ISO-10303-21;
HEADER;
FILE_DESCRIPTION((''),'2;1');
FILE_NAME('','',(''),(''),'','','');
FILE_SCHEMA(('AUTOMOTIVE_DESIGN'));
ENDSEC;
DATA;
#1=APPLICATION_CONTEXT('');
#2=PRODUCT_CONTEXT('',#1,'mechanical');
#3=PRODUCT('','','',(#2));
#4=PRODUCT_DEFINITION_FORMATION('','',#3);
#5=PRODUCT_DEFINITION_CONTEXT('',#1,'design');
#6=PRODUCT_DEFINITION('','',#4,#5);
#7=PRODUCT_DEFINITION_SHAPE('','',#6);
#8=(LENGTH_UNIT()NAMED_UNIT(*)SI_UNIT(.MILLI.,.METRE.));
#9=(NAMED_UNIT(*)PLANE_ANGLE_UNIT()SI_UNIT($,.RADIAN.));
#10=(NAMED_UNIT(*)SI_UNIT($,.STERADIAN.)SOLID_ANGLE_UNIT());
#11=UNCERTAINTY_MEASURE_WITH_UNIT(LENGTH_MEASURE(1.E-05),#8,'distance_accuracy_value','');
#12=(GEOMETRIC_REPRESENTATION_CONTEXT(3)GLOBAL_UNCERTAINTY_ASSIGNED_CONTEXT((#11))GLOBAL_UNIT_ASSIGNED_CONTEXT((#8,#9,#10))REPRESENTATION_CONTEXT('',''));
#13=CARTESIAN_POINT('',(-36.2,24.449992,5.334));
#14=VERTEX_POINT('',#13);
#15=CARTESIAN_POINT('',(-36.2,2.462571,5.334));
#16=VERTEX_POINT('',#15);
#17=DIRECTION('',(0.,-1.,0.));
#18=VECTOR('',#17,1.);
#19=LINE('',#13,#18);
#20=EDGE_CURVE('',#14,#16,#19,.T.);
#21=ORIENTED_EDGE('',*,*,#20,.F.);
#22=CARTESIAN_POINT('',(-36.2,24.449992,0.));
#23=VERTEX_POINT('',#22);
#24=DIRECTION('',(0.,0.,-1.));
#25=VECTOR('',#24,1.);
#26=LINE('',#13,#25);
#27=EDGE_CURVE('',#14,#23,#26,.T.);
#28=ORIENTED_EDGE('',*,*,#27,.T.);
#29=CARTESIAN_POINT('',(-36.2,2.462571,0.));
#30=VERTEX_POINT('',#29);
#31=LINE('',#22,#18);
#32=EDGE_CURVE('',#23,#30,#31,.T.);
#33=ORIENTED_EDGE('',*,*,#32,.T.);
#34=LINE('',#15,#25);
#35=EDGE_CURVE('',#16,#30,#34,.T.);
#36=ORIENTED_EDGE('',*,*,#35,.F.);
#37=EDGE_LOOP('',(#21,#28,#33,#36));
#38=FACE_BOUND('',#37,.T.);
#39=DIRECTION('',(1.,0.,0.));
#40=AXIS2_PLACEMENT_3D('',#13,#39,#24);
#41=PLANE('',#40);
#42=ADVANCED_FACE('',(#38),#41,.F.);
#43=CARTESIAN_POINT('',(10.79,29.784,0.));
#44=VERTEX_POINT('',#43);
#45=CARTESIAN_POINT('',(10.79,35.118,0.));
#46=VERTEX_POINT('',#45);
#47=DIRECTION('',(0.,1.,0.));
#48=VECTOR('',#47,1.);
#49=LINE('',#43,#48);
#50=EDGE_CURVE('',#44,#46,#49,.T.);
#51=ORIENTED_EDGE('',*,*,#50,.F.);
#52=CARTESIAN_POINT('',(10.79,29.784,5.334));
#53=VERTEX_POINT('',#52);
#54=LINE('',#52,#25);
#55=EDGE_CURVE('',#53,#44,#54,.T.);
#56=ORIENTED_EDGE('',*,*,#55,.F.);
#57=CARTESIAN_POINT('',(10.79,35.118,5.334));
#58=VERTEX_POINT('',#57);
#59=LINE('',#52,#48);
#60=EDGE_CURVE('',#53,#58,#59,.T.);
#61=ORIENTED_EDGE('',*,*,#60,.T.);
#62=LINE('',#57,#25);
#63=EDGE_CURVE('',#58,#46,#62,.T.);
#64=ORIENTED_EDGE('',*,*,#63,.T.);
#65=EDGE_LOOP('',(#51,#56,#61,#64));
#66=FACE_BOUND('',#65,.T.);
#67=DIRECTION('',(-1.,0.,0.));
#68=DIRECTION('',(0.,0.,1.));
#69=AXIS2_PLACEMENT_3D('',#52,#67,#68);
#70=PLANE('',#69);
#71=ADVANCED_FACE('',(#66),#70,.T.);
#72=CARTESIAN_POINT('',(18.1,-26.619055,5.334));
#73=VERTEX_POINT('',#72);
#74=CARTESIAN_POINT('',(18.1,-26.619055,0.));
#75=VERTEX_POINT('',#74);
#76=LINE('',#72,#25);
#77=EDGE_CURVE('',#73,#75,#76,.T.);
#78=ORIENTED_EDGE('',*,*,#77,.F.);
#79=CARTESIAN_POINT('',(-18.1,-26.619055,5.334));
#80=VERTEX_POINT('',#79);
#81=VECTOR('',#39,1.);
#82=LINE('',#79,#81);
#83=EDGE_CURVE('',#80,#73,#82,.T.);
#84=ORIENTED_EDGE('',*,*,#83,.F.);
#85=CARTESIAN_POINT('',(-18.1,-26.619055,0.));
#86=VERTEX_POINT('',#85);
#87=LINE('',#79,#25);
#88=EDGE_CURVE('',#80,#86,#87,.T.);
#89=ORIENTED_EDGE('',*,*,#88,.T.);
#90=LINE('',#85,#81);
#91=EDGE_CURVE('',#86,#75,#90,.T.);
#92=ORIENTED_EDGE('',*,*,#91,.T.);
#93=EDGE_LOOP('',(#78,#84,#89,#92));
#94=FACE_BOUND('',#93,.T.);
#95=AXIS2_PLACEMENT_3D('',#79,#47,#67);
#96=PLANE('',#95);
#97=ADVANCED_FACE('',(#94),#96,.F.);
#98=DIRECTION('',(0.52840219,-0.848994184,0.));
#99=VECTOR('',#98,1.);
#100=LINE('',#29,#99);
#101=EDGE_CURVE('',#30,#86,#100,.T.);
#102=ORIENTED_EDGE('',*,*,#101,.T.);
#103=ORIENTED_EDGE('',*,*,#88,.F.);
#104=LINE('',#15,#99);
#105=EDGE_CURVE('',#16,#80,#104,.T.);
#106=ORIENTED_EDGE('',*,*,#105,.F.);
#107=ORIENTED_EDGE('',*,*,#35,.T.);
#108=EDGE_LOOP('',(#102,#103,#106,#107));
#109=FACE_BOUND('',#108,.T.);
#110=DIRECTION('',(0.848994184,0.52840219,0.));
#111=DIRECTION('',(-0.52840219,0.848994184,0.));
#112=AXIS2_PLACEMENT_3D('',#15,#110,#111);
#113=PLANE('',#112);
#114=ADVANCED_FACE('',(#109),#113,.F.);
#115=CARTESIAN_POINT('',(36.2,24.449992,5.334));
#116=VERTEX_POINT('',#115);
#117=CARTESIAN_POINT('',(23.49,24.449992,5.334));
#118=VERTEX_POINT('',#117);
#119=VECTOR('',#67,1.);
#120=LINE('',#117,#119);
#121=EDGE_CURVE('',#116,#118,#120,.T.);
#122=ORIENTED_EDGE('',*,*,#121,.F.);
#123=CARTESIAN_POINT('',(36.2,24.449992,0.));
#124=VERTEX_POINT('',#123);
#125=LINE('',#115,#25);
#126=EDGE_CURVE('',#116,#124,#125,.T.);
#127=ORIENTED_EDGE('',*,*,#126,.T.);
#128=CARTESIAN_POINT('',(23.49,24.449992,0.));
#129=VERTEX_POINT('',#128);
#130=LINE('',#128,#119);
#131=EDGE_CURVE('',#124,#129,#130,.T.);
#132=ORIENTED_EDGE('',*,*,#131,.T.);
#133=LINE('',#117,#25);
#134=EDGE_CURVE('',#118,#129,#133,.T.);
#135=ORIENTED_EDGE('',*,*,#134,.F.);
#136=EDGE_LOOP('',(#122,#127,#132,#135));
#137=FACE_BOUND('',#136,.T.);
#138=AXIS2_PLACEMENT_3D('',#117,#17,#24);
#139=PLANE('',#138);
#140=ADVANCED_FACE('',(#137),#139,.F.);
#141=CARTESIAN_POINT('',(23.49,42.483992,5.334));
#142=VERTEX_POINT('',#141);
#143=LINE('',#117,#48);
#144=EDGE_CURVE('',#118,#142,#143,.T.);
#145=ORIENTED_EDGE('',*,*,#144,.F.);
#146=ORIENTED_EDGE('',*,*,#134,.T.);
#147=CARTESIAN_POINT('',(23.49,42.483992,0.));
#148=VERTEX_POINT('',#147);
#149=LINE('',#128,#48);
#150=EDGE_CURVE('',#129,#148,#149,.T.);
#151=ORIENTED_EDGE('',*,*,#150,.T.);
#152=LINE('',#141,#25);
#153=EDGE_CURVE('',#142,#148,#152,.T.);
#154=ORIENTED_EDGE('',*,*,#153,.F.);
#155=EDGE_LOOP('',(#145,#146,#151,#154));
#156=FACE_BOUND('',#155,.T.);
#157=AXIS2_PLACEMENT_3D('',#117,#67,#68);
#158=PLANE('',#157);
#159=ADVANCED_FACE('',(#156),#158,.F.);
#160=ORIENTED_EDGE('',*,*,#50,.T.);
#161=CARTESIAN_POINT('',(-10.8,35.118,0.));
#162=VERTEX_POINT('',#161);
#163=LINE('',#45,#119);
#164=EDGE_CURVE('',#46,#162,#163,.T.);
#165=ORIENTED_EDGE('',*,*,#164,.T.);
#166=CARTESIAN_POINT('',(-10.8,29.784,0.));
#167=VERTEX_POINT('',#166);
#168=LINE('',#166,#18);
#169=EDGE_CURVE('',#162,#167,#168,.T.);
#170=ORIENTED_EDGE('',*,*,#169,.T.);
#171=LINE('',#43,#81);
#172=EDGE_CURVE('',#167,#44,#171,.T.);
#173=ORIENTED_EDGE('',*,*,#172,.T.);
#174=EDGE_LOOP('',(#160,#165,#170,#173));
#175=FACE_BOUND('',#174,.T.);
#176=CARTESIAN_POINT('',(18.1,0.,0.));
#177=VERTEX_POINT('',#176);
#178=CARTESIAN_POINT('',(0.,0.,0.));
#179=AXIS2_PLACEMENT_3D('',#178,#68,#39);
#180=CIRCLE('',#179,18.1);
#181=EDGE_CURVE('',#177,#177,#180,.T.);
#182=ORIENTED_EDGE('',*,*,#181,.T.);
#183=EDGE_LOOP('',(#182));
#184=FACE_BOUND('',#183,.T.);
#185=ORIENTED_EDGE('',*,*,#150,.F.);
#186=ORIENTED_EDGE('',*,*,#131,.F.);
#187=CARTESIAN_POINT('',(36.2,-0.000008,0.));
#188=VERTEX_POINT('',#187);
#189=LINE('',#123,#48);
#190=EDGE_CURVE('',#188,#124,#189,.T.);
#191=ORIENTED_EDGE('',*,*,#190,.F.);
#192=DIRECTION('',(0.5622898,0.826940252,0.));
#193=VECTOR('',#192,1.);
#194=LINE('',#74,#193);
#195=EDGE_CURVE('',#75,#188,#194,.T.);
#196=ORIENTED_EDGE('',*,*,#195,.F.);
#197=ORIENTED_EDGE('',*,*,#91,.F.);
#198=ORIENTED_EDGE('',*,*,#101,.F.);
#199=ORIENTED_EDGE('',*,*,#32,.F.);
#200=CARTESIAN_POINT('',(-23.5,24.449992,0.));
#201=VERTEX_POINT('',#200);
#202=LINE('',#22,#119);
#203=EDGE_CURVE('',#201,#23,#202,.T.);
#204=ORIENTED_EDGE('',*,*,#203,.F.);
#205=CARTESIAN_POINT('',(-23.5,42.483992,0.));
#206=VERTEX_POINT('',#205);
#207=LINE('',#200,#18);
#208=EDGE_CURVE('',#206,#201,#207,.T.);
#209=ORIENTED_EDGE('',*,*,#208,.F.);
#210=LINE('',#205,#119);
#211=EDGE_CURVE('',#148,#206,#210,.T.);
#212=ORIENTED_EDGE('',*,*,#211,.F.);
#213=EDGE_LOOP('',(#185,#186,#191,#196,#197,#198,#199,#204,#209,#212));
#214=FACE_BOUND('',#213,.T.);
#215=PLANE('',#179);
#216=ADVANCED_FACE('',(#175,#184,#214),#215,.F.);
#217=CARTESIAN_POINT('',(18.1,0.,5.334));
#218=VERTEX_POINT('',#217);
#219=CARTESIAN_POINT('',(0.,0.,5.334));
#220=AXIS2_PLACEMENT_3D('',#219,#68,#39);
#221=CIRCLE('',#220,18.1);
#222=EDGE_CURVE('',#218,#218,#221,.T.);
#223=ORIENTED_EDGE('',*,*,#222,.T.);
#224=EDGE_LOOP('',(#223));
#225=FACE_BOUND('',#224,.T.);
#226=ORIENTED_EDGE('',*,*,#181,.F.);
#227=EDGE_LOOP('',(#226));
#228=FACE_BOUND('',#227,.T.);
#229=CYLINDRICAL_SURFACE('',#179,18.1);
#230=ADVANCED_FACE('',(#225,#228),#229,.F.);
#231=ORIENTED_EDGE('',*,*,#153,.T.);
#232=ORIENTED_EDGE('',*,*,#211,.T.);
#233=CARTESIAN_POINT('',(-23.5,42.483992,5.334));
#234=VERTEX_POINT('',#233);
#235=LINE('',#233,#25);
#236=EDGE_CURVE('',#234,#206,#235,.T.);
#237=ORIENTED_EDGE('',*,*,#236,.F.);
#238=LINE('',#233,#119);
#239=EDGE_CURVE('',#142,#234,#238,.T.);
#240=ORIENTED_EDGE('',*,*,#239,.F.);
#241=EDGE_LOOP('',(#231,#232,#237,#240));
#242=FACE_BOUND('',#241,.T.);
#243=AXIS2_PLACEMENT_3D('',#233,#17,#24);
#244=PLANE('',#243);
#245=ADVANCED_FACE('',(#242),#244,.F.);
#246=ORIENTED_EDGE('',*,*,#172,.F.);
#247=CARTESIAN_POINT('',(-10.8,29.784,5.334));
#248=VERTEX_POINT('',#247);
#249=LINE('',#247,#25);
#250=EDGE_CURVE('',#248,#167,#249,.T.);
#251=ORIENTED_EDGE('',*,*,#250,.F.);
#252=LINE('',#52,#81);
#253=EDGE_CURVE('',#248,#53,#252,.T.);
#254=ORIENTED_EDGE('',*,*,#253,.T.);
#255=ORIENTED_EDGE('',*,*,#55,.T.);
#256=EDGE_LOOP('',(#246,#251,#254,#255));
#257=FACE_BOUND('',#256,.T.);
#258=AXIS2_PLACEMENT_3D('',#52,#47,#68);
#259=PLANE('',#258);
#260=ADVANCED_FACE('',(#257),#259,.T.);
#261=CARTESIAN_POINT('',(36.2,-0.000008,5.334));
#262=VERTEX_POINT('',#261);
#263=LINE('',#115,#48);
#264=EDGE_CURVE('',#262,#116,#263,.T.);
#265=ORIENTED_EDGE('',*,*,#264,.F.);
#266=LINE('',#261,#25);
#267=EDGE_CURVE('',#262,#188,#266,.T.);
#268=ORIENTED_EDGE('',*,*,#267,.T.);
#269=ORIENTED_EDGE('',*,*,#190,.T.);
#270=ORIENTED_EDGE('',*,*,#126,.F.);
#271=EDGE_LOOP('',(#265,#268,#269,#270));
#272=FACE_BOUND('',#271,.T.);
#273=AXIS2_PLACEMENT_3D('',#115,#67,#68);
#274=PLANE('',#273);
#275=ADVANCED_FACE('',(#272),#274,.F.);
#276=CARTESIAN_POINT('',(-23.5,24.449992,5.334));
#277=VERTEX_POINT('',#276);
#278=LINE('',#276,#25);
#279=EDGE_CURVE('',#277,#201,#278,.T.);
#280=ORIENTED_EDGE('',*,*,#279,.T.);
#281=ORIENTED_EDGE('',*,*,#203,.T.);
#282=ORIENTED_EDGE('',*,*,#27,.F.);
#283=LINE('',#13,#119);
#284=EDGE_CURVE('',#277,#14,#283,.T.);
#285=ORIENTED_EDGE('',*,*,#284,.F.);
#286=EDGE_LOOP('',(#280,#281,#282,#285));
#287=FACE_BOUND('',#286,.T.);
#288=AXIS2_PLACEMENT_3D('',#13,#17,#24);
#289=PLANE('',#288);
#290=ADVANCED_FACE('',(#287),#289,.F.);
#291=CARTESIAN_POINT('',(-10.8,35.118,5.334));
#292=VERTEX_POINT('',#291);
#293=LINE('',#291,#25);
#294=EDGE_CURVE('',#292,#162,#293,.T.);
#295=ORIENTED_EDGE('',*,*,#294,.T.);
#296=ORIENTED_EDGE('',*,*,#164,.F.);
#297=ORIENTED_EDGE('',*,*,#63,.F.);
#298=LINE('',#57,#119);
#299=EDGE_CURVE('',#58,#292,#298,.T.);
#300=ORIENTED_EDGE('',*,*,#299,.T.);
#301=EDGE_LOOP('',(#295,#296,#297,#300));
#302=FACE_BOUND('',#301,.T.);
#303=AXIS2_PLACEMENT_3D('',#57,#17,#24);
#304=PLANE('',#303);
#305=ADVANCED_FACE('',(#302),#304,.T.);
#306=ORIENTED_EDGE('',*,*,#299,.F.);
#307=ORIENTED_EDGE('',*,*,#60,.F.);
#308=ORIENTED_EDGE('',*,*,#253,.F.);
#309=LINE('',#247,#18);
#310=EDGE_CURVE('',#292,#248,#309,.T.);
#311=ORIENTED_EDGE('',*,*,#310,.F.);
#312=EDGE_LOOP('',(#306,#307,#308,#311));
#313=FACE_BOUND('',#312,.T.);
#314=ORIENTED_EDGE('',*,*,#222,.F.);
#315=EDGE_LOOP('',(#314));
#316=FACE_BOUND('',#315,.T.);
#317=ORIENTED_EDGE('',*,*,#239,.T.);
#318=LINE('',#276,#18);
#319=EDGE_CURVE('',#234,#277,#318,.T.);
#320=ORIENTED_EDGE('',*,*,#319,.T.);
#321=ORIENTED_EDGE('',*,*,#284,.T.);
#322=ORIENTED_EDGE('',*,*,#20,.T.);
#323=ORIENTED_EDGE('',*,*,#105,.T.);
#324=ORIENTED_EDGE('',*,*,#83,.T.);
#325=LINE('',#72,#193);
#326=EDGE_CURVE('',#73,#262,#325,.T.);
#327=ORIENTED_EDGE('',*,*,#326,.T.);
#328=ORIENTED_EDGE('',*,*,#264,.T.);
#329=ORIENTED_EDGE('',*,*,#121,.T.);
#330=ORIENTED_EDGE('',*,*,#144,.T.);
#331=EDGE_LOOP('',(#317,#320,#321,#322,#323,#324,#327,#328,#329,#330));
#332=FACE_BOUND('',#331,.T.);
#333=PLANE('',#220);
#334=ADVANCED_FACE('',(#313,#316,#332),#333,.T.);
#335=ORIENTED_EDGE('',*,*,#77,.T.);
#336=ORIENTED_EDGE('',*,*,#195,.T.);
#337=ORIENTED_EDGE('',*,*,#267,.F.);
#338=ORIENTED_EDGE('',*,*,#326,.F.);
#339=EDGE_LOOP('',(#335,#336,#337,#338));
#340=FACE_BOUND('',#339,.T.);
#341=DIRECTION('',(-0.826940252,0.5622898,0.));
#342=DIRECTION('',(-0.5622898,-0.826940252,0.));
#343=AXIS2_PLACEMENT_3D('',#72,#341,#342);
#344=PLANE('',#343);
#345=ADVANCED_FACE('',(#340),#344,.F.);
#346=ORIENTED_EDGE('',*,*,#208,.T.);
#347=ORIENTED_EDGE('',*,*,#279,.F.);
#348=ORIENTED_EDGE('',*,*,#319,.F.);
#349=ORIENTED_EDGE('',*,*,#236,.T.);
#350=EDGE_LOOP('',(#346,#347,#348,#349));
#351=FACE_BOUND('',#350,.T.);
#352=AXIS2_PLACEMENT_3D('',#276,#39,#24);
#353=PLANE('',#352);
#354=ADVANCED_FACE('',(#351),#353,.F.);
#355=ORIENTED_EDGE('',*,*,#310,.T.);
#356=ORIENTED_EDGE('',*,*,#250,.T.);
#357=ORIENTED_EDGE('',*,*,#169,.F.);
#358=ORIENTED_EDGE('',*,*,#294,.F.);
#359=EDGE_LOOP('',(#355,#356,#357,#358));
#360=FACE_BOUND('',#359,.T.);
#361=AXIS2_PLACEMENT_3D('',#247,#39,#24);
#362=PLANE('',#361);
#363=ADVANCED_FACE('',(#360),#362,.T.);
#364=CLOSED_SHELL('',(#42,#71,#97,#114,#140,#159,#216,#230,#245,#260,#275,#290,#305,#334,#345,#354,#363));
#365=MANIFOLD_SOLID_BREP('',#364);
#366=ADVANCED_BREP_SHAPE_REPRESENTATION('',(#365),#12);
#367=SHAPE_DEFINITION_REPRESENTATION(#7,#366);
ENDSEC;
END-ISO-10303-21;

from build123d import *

# Parameters (mm, degrees)
SKETCH1_W           = 21.59
SKETCH1_H           = 5.334
BOSS_EXTRUDE1_DEPTH = 5.334
SKETCH2_R           = 18.1
CUT_EXTRUDE1_DEPTH  = 5.334


with BuildPart() as part:
    # Sketch1 → Boss-Extrude1 (new body)
    with BuildSketch(Plane.XY):
        Polygon((-36.2, 24.449992223), (-23.5, 24.449992223), (-23.5, 42.483992223), (23.49, 42.483992223), (23.49, 24.449992223), (36.2, 24.449992223), (36.2, -7.777e-06), (18.1, -26.619054692), (-18.1, -26.619054692), (-36.2, 2.462571049), align=None)
        with Locations((-0.005, 32.451)):
            Rectangle(SKETCH1_W, SKETCH1_H, mode=Mode.SUBTRACT)
    extrude(amount=BOSS_EXTRUDE1_DEPTH)

    # Sketch2 → Cut-Extrude1 (cut)
    with BuildSketch(Plane.XY.offset(5.334)):
        Circle(SKETCH2_R)
    extrude(amount=-CUT_EXTRUDE1_DEPTH, mode=Mode.SUBTRACT)


solid = part.part
